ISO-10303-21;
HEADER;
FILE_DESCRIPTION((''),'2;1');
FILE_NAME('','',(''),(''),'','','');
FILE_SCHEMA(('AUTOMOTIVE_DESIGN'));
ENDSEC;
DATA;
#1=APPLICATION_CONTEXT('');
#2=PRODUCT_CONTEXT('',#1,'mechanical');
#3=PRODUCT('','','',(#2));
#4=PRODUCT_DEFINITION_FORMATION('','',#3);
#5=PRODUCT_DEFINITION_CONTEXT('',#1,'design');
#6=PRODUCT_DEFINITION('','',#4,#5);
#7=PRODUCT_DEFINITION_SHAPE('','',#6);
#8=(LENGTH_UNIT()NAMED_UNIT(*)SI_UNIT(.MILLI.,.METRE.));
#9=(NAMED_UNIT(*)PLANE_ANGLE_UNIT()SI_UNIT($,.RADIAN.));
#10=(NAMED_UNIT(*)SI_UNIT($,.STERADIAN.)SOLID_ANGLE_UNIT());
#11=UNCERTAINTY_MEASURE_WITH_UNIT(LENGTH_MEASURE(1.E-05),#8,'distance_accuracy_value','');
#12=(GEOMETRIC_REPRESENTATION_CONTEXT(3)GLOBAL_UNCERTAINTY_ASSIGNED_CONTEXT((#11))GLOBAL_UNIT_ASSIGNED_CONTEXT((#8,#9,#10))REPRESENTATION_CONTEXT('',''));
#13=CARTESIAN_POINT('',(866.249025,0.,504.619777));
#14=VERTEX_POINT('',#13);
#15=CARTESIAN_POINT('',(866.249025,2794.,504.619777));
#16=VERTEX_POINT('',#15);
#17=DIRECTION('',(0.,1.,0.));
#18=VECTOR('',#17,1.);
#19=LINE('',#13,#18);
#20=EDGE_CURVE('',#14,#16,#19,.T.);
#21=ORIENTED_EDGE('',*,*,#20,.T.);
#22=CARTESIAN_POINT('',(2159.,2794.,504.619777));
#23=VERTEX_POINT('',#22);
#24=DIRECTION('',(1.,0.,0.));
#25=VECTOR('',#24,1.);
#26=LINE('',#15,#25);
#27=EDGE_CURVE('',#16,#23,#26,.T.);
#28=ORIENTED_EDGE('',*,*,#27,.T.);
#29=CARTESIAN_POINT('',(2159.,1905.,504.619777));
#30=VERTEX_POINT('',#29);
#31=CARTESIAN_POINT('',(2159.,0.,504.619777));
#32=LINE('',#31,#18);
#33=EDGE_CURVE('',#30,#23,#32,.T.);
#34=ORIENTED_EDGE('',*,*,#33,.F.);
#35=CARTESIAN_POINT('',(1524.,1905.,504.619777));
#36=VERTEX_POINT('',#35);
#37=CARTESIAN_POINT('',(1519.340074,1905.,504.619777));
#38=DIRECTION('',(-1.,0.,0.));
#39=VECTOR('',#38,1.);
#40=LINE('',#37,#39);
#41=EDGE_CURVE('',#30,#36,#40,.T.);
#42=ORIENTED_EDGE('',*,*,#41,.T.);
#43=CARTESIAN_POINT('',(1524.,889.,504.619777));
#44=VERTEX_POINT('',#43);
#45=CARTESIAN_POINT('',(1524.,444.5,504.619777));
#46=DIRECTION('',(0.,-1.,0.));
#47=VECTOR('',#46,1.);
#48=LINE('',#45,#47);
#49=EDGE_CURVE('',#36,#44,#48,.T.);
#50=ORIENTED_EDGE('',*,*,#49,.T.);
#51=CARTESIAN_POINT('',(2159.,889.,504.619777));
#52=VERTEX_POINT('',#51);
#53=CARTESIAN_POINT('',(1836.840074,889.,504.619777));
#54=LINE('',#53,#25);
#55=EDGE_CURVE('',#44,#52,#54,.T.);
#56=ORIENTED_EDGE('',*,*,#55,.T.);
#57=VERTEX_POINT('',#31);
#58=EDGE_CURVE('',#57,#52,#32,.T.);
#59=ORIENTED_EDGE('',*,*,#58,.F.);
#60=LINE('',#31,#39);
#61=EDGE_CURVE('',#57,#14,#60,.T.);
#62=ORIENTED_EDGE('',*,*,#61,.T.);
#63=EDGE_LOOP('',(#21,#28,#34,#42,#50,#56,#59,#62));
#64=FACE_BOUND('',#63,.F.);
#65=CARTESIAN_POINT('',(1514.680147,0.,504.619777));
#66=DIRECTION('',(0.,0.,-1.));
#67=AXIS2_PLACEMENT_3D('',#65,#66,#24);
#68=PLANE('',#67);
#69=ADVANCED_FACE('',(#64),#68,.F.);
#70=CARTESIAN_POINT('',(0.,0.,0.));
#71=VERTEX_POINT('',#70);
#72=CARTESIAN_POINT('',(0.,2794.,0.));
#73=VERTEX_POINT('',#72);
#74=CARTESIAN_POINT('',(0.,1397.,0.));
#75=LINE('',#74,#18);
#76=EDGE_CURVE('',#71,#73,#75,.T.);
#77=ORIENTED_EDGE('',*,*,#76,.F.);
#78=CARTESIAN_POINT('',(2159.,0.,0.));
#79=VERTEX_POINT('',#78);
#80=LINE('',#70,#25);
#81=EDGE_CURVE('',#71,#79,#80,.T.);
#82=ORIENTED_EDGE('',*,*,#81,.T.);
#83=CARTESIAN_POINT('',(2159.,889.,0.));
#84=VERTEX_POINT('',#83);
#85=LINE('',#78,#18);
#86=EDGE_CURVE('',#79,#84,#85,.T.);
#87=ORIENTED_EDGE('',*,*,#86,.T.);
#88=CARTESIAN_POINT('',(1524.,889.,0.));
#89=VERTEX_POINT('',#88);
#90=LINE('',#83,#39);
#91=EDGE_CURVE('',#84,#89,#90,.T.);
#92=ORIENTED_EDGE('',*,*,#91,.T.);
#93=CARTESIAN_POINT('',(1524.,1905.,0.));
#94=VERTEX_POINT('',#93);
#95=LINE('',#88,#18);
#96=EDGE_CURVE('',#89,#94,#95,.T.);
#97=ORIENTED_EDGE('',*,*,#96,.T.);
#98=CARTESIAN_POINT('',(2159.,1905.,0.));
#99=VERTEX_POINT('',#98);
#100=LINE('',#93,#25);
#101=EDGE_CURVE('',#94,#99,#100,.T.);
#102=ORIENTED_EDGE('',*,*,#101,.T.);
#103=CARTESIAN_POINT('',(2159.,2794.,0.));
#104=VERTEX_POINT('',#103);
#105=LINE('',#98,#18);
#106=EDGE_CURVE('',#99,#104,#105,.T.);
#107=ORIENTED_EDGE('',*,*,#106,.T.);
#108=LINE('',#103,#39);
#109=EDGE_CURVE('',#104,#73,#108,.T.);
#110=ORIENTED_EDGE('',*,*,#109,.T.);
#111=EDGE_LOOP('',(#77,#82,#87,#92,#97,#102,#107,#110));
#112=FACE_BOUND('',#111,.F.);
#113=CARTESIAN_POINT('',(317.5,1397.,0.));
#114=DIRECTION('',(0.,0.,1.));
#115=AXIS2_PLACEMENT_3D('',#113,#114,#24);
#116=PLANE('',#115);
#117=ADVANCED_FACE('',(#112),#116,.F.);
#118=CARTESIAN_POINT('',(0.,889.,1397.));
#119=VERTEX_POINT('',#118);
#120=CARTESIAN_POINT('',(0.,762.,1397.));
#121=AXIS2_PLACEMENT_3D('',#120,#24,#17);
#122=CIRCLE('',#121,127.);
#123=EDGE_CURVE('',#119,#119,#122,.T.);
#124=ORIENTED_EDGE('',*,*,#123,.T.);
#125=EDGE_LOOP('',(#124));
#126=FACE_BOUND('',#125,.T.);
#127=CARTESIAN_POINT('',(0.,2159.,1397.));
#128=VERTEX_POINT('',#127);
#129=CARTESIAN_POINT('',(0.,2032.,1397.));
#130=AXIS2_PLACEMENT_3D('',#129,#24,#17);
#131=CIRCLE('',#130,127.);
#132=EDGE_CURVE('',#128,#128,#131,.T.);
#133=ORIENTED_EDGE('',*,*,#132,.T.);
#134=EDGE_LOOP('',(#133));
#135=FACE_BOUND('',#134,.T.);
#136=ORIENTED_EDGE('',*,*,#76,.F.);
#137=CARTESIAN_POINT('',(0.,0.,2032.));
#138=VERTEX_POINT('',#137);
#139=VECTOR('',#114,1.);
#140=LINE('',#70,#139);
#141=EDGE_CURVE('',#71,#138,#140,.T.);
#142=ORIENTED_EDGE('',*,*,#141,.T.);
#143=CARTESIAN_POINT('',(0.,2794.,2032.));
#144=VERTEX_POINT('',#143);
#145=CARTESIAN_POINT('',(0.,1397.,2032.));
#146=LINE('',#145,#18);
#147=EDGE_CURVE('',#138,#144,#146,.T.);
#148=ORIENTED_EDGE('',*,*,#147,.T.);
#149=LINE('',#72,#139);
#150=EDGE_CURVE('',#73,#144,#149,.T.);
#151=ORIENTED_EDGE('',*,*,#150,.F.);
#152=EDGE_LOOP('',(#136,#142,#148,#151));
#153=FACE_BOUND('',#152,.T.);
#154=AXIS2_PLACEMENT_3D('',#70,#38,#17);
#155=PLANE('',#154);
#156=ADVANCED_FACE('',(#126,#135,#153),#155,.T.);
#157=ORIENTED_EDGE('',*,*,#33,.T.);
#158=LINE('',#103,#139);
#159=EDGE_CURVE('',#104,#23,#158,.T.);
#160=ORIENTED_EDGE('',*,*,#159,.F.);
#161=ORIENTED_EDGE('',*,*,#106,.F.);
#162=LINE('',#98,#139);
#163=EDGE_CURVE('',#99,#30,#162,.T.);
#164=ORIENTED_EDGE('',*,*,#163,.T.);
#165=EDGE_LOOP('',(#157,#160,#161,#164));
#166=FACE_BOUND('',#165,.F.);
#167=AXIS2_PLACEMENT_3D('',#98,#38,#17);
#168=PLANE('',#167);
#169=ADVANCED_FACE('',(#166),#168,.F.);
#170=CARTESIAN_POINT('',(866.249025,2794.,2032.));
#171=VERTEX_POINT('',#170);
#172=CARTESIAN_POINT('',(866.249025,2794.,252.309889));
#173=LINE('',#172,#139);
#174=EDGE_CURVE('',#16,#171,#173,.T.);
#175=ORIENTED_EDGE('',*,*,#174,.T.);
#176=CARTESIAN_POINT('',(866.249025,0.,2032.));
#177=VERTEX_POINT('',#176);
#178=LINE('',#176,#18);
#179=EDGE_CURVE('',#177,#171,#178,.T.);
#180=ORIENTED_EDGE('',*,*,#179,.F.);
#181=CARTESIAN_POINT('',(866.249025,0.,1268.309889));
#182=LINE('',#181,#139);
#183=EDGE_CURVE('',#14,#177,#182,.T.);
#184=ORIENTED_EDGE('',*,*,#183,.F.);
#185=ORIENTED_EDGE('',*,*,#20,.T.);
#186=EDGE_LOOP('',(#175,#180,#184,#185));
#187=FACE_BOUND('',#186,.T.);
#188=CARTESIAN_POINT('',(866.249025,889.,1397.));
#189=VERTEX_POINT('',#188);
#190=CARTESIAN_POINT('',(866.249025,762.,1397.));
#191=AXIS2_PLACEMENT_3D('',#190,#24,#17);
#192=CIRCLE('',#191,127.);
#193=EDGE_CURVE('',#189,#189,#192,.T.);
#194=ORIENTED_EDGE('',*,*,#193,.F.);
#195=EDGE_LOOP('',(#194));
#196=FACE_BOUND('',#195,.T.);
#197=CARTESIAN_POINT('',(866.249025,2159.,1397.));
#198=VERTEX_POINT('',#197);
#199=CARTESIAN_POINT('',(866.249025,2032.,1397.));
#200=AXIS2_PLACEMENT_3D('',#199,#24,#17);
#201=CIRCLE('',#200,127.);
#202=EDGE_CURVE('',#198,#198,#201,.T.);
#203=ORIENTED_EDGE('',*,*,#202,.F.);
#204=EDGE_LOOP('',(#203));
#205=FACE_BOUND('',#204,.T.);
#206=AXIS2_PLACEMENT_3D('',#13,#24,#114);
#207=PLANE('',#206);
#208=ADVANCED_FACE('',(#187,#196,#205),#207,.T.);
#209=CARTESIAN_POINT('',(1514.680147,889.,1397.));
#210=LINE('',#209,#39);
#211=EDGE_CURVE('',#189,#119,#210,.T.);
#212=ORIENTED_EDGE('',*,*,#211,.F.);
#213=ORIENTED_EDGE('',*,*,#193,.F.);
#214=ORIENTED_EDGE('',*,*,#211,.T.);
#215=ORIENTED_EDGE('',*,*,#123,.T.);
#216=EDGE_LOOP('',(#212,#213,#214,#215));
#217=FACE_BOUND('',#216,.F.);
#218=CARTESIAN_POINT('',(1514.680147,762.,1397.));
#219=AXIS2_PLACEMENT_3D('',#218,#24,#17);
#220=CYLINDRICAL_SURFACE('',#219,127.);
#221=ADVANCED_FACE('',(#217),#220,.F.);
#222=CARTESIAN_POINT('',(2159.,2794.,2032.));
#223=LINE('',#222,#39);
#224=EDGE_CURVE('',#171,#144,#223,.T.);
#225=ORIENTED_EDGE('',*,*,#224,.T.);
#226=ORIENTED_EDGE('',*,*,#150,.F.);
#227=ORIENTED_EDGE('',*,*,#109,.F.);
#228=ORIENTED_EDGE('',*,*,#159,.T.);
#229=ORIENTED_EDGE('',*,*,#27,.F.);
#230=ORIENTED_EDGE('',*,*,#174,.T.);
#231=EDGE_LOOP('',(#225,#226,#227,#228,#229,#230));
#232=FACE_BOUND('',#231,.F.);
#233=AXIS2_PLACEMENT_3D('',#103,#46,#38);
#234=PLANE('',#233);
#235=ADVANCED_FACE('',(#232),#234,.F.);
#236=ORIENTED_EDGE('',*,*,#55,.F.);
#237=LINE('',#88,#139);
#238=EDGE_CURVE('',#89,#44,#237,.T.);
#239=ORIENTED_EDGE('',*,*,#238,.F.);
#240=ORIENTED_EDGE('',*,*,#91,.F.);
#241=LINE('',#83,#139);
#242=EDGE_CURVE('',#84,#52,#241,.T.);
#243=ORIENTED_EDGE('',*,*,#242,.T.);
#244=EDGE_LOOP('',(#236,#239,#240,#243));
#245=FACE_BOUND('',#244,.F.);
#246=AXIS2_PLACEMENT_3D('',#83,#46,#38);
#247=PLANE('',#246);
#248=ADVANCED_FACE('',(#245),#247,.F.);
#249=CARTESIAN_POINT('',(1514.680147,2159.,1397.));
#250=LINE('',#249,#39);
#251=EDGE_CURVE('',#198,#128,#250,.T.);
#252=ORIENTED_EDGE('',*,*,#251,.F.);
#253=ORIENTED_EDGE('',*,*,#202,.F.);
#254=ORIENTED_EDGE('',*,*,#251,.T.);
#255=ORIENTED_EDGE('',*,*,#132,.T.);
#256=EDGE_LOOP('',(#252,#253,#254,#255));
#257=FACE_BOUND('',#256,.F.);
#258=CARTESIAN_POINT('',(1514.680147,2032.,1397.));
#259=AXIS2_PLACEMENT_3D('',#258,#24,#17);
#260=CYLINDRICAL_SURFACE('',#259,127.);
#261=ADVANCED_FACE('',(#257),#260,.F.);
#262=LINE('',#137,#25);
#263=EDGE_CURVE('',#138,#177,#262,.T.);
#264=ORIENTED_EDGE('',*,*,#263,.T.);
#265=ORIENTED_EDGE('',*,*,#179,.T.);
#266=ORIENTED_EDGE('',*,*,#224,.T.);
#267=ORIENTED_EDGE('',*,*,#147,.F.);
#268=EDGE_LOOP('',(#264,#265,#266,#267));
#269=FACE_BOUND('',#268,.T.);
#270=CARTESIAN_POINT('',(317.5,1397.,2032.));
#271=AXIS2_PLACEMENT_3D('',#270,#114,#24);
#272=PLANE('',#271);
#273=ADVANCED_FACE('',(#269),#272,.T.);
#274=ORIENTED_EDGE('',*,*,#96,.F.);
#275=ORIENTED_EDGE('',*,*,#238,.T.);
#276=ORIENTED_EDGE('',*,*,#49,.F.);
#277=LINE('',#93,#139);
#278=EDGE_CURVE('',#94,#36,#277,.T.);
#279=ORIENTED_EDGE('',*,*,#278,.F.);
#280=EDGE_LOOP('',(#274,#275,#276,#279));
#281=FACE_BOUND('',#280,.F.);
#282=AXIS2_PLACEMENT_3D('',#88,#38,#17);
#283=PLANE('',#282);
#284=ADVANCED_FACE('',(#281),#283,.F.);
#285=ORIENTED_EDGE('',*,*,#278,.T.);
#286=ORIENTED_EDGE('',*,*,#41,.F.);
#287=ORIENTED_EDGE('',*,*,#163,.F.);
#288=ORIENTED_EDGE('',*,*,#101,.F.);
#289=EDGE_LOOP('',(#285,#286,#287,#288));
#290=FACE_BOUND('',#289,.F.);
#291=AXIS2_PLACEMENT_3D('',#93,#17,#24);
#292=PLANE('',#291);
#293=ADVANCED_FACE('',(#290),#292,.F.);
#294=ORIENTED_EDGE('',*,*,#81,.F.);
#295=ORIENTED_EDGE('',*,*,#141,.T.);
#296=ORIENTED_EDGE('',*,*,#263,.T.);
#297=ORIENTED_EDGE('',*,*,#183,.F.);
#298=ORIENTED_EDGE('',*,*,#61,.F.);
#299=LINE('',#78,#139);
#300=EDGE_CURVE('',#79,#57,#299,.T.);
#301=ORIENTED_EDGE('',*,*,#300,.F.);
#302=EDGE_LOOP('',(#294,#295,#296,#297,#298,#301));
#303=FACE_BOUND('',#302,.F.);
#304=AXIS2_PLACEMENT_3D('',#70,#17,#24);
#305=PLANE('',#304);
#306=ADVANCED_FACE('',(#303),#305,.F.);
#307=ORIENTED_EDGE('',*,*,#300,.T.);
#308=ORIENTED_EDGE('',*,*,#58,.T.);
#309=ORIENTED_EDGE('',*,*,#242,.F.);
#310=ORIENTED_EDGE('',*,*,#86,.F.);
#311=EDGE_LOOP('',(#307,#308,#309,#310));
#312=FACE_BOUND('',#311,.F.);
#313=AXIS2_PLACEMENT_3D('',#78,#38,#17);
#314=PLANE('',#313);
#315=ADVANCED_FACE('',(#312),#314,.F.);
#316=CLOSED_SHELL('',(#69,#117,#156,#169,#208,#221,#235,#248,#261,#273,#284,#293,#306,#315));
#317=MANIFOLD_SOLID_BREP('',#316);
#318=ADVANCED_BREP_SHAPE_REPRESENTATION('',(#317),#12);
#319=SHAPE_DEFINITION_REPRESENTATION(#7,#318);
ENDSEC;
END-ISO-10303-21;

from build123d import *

# Parameters (mm, degrees)
F0_W     = 635
F0_H     = 2794
F1_DEPTH = 2032
F2_W     = 644.319852829
F2_H     = 1527.3802227974
F3_DEPTH = 2794.001
F4_R     = 127
F5_DEPTH = 1514.681147171
F6_W     = 648.431122303
F6_H     = 1527.3802227974
F7_DEPTH = 2794.001


with BuildPart() as f1:
    # F0 (on Top) → F1 (new body)
    with BuildSketch(Plane.XY):
        with Locations((317.5, 1397)):
            Rectangle(F0_W, F0_H)
        Polygon((635, 2794), (635, 0), (2159, 0), (2159, 889), (1524, 889), (1524, 1905), (2159, 1905), (2159, 2794), align=None)
    extrude(amount=F1_DEPTH)

    # F2 (on face) → F3 (cut, through all)
    with BuildSketch(Plane.XZ):
        with Locations((1836.8400735855, 1268.3098886013)):
            Rectangle(F2_W, F2_H)
    extrude(amount=-F3_DEPTH, mode=Mode.SUBTRACT)

    # F4 (on face) → F5 (cut, through all)
    with BuildSketch(Plane.YZ.offset(1514.680147171)):
        with Locations((2032, 1397)):
            Circle(F4_R)
        with Locations((762, 1397)):
            Circle(F4_R)
    extrude(amount=-F5_DEPTH, mode=Mode.SUBTRACT)

    # F6 (on face) → F7 (cut, through all)
    with BuildSketch(Plane.XZ):
        with Locations((1190.4645860195, 1268.3098886013)):
            Rectangle(F6_W, F6_H)
    extrude(amount=-F7_DEPTH, mode=Mode.SUBTRACT)


solid = f1.part
